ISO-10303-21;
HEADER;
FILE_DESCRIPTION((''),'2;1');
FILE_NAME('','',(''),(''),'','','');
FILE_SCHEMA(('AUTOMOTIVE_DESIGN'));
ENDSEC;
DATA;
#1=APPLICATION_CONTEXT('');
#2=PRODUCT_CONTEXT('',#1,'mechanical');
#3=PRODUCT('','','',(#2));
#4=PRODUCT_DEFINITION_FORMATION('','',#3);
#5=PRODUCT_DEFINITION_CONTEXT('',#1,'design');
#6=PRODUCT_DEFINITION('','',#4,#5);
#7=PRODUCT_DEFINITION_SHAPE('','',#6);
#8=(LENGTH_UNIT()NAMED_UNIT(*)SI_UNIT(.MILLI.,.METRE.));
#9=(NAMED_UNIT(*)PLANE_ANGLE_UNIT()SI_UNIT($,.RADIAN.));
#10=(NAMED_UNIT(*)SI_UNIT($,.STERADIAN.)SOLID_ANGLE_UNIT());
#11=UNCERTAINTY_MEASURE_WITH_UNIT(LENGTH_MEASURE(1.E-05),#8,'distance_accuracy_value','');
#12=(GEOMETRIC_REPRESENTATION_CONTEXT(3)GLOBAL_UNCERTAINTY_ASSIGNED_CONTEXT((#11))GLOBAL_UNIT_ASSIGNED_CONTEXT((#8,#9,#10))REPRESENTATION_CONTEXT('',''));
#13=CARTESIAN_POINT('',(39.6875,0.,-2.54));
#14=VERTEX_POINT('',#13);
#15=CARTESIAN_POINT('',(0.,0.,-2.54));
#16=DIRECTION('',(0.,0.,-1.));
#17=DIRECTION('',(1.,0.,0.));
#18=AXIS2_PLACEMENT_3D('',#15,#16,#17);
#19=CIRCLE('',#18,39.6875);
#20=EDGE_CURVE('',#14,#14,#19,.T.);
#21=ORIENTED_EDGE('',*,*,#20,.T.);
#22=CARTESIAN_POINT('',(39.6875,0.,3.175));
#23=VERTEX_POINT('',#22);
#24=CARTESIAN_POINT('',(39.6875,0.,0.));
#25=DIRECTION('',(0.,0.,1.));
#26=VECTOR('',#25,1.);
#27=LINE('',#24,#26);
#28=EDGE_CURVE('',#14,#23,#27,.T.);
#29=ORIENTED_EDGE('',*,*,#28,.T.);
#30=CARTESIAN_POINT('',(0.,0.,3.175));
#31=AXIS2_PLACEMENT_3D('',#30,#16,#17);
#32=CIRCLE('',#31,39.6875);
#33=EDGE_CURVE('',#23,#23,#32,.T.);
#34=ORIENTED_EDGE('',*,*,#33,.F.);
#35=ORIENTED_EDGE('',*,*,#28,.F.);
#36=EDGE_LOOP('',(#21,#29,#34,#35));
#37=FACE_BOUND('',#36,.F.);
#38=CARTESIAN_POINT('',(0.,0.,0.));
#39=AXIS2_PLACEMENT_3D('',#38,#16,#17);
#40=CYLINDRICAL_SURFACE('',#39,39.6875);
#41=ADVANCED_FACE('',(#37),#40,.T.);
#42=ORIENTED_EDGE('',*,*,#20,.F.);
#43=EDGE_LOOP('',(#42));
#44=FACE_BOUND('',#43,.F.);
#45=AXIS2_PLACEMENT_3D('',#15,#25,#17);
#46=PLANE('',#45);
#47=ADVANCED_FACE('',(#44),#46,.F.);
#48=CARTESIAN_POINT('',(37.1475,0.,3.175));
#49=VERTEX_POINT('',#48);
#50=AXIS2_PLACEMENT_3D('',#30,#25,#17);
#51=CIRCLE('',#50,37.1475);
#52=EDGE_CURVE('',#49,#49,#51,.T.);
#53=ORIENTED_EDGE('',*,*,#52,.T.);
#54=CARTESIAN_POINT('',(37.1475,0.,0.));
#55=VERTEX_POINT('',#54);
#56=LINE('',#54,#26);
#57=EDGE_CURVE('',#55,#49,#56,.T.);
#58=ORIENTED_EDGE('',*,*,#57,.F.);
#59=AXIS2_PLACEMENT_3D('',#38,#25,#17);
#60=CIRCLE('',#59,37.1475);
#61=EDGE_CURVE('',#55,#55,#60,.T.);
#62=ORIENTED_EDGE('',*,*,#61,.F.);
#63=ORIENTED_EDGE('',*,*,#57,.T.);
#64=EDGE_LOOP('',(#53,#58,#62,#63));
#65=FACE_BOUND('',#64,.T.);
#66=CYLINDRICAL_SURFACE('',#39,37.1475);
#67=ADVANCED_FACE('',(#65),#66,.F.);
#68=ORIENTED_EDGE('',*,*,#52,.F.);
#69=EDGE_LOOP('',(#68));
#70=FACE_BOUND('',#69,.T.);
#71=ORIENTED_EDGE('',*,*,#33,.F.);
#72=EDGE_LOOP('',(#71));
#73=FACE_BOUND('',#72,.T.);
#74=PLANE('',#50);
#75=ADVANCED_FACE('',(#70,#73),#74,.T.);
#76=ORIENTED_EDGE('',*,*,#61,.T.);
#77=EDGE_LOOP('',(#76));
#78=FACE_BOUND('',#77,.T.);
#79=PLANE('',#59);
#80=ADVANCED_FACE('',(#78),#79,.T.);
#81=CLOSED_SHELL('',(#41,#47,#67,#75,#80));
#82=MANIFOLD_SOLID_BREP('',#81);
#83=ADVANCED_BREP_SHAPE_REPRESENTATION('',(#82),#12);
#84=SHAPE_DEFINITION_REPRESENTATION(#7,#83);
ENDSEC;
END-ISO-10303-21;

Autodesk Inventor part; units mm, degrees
ref_plane "YZ Plane" through (0, 0, 0) normal (1, 0, 0) x (0, 1, 0)
ref_plane "XZ Plane" through (0, 0, 0) normal (0, 1, 0) x (-1, 0, 0)
ref_plane "XY Plane" through (0, 0, 0) normal (0, 0, 1) x (1, 0, 0)
sketch "Sketch1" plane through (0, 0, 0) normal (0, 0, 1) x (1, 0, 0)
  circle A0 centre (0, 0) radius 37.1475
  dimension "d0" = 74.295
extrude "Extrusion1" add sketch "Sketch1" along normal blind 3.175
shell "Shell1" thickness 2.54 outward yes removed faces 1 at (8.8084, -15.4647, 3.175)
properties part number "bottomgearprot"
